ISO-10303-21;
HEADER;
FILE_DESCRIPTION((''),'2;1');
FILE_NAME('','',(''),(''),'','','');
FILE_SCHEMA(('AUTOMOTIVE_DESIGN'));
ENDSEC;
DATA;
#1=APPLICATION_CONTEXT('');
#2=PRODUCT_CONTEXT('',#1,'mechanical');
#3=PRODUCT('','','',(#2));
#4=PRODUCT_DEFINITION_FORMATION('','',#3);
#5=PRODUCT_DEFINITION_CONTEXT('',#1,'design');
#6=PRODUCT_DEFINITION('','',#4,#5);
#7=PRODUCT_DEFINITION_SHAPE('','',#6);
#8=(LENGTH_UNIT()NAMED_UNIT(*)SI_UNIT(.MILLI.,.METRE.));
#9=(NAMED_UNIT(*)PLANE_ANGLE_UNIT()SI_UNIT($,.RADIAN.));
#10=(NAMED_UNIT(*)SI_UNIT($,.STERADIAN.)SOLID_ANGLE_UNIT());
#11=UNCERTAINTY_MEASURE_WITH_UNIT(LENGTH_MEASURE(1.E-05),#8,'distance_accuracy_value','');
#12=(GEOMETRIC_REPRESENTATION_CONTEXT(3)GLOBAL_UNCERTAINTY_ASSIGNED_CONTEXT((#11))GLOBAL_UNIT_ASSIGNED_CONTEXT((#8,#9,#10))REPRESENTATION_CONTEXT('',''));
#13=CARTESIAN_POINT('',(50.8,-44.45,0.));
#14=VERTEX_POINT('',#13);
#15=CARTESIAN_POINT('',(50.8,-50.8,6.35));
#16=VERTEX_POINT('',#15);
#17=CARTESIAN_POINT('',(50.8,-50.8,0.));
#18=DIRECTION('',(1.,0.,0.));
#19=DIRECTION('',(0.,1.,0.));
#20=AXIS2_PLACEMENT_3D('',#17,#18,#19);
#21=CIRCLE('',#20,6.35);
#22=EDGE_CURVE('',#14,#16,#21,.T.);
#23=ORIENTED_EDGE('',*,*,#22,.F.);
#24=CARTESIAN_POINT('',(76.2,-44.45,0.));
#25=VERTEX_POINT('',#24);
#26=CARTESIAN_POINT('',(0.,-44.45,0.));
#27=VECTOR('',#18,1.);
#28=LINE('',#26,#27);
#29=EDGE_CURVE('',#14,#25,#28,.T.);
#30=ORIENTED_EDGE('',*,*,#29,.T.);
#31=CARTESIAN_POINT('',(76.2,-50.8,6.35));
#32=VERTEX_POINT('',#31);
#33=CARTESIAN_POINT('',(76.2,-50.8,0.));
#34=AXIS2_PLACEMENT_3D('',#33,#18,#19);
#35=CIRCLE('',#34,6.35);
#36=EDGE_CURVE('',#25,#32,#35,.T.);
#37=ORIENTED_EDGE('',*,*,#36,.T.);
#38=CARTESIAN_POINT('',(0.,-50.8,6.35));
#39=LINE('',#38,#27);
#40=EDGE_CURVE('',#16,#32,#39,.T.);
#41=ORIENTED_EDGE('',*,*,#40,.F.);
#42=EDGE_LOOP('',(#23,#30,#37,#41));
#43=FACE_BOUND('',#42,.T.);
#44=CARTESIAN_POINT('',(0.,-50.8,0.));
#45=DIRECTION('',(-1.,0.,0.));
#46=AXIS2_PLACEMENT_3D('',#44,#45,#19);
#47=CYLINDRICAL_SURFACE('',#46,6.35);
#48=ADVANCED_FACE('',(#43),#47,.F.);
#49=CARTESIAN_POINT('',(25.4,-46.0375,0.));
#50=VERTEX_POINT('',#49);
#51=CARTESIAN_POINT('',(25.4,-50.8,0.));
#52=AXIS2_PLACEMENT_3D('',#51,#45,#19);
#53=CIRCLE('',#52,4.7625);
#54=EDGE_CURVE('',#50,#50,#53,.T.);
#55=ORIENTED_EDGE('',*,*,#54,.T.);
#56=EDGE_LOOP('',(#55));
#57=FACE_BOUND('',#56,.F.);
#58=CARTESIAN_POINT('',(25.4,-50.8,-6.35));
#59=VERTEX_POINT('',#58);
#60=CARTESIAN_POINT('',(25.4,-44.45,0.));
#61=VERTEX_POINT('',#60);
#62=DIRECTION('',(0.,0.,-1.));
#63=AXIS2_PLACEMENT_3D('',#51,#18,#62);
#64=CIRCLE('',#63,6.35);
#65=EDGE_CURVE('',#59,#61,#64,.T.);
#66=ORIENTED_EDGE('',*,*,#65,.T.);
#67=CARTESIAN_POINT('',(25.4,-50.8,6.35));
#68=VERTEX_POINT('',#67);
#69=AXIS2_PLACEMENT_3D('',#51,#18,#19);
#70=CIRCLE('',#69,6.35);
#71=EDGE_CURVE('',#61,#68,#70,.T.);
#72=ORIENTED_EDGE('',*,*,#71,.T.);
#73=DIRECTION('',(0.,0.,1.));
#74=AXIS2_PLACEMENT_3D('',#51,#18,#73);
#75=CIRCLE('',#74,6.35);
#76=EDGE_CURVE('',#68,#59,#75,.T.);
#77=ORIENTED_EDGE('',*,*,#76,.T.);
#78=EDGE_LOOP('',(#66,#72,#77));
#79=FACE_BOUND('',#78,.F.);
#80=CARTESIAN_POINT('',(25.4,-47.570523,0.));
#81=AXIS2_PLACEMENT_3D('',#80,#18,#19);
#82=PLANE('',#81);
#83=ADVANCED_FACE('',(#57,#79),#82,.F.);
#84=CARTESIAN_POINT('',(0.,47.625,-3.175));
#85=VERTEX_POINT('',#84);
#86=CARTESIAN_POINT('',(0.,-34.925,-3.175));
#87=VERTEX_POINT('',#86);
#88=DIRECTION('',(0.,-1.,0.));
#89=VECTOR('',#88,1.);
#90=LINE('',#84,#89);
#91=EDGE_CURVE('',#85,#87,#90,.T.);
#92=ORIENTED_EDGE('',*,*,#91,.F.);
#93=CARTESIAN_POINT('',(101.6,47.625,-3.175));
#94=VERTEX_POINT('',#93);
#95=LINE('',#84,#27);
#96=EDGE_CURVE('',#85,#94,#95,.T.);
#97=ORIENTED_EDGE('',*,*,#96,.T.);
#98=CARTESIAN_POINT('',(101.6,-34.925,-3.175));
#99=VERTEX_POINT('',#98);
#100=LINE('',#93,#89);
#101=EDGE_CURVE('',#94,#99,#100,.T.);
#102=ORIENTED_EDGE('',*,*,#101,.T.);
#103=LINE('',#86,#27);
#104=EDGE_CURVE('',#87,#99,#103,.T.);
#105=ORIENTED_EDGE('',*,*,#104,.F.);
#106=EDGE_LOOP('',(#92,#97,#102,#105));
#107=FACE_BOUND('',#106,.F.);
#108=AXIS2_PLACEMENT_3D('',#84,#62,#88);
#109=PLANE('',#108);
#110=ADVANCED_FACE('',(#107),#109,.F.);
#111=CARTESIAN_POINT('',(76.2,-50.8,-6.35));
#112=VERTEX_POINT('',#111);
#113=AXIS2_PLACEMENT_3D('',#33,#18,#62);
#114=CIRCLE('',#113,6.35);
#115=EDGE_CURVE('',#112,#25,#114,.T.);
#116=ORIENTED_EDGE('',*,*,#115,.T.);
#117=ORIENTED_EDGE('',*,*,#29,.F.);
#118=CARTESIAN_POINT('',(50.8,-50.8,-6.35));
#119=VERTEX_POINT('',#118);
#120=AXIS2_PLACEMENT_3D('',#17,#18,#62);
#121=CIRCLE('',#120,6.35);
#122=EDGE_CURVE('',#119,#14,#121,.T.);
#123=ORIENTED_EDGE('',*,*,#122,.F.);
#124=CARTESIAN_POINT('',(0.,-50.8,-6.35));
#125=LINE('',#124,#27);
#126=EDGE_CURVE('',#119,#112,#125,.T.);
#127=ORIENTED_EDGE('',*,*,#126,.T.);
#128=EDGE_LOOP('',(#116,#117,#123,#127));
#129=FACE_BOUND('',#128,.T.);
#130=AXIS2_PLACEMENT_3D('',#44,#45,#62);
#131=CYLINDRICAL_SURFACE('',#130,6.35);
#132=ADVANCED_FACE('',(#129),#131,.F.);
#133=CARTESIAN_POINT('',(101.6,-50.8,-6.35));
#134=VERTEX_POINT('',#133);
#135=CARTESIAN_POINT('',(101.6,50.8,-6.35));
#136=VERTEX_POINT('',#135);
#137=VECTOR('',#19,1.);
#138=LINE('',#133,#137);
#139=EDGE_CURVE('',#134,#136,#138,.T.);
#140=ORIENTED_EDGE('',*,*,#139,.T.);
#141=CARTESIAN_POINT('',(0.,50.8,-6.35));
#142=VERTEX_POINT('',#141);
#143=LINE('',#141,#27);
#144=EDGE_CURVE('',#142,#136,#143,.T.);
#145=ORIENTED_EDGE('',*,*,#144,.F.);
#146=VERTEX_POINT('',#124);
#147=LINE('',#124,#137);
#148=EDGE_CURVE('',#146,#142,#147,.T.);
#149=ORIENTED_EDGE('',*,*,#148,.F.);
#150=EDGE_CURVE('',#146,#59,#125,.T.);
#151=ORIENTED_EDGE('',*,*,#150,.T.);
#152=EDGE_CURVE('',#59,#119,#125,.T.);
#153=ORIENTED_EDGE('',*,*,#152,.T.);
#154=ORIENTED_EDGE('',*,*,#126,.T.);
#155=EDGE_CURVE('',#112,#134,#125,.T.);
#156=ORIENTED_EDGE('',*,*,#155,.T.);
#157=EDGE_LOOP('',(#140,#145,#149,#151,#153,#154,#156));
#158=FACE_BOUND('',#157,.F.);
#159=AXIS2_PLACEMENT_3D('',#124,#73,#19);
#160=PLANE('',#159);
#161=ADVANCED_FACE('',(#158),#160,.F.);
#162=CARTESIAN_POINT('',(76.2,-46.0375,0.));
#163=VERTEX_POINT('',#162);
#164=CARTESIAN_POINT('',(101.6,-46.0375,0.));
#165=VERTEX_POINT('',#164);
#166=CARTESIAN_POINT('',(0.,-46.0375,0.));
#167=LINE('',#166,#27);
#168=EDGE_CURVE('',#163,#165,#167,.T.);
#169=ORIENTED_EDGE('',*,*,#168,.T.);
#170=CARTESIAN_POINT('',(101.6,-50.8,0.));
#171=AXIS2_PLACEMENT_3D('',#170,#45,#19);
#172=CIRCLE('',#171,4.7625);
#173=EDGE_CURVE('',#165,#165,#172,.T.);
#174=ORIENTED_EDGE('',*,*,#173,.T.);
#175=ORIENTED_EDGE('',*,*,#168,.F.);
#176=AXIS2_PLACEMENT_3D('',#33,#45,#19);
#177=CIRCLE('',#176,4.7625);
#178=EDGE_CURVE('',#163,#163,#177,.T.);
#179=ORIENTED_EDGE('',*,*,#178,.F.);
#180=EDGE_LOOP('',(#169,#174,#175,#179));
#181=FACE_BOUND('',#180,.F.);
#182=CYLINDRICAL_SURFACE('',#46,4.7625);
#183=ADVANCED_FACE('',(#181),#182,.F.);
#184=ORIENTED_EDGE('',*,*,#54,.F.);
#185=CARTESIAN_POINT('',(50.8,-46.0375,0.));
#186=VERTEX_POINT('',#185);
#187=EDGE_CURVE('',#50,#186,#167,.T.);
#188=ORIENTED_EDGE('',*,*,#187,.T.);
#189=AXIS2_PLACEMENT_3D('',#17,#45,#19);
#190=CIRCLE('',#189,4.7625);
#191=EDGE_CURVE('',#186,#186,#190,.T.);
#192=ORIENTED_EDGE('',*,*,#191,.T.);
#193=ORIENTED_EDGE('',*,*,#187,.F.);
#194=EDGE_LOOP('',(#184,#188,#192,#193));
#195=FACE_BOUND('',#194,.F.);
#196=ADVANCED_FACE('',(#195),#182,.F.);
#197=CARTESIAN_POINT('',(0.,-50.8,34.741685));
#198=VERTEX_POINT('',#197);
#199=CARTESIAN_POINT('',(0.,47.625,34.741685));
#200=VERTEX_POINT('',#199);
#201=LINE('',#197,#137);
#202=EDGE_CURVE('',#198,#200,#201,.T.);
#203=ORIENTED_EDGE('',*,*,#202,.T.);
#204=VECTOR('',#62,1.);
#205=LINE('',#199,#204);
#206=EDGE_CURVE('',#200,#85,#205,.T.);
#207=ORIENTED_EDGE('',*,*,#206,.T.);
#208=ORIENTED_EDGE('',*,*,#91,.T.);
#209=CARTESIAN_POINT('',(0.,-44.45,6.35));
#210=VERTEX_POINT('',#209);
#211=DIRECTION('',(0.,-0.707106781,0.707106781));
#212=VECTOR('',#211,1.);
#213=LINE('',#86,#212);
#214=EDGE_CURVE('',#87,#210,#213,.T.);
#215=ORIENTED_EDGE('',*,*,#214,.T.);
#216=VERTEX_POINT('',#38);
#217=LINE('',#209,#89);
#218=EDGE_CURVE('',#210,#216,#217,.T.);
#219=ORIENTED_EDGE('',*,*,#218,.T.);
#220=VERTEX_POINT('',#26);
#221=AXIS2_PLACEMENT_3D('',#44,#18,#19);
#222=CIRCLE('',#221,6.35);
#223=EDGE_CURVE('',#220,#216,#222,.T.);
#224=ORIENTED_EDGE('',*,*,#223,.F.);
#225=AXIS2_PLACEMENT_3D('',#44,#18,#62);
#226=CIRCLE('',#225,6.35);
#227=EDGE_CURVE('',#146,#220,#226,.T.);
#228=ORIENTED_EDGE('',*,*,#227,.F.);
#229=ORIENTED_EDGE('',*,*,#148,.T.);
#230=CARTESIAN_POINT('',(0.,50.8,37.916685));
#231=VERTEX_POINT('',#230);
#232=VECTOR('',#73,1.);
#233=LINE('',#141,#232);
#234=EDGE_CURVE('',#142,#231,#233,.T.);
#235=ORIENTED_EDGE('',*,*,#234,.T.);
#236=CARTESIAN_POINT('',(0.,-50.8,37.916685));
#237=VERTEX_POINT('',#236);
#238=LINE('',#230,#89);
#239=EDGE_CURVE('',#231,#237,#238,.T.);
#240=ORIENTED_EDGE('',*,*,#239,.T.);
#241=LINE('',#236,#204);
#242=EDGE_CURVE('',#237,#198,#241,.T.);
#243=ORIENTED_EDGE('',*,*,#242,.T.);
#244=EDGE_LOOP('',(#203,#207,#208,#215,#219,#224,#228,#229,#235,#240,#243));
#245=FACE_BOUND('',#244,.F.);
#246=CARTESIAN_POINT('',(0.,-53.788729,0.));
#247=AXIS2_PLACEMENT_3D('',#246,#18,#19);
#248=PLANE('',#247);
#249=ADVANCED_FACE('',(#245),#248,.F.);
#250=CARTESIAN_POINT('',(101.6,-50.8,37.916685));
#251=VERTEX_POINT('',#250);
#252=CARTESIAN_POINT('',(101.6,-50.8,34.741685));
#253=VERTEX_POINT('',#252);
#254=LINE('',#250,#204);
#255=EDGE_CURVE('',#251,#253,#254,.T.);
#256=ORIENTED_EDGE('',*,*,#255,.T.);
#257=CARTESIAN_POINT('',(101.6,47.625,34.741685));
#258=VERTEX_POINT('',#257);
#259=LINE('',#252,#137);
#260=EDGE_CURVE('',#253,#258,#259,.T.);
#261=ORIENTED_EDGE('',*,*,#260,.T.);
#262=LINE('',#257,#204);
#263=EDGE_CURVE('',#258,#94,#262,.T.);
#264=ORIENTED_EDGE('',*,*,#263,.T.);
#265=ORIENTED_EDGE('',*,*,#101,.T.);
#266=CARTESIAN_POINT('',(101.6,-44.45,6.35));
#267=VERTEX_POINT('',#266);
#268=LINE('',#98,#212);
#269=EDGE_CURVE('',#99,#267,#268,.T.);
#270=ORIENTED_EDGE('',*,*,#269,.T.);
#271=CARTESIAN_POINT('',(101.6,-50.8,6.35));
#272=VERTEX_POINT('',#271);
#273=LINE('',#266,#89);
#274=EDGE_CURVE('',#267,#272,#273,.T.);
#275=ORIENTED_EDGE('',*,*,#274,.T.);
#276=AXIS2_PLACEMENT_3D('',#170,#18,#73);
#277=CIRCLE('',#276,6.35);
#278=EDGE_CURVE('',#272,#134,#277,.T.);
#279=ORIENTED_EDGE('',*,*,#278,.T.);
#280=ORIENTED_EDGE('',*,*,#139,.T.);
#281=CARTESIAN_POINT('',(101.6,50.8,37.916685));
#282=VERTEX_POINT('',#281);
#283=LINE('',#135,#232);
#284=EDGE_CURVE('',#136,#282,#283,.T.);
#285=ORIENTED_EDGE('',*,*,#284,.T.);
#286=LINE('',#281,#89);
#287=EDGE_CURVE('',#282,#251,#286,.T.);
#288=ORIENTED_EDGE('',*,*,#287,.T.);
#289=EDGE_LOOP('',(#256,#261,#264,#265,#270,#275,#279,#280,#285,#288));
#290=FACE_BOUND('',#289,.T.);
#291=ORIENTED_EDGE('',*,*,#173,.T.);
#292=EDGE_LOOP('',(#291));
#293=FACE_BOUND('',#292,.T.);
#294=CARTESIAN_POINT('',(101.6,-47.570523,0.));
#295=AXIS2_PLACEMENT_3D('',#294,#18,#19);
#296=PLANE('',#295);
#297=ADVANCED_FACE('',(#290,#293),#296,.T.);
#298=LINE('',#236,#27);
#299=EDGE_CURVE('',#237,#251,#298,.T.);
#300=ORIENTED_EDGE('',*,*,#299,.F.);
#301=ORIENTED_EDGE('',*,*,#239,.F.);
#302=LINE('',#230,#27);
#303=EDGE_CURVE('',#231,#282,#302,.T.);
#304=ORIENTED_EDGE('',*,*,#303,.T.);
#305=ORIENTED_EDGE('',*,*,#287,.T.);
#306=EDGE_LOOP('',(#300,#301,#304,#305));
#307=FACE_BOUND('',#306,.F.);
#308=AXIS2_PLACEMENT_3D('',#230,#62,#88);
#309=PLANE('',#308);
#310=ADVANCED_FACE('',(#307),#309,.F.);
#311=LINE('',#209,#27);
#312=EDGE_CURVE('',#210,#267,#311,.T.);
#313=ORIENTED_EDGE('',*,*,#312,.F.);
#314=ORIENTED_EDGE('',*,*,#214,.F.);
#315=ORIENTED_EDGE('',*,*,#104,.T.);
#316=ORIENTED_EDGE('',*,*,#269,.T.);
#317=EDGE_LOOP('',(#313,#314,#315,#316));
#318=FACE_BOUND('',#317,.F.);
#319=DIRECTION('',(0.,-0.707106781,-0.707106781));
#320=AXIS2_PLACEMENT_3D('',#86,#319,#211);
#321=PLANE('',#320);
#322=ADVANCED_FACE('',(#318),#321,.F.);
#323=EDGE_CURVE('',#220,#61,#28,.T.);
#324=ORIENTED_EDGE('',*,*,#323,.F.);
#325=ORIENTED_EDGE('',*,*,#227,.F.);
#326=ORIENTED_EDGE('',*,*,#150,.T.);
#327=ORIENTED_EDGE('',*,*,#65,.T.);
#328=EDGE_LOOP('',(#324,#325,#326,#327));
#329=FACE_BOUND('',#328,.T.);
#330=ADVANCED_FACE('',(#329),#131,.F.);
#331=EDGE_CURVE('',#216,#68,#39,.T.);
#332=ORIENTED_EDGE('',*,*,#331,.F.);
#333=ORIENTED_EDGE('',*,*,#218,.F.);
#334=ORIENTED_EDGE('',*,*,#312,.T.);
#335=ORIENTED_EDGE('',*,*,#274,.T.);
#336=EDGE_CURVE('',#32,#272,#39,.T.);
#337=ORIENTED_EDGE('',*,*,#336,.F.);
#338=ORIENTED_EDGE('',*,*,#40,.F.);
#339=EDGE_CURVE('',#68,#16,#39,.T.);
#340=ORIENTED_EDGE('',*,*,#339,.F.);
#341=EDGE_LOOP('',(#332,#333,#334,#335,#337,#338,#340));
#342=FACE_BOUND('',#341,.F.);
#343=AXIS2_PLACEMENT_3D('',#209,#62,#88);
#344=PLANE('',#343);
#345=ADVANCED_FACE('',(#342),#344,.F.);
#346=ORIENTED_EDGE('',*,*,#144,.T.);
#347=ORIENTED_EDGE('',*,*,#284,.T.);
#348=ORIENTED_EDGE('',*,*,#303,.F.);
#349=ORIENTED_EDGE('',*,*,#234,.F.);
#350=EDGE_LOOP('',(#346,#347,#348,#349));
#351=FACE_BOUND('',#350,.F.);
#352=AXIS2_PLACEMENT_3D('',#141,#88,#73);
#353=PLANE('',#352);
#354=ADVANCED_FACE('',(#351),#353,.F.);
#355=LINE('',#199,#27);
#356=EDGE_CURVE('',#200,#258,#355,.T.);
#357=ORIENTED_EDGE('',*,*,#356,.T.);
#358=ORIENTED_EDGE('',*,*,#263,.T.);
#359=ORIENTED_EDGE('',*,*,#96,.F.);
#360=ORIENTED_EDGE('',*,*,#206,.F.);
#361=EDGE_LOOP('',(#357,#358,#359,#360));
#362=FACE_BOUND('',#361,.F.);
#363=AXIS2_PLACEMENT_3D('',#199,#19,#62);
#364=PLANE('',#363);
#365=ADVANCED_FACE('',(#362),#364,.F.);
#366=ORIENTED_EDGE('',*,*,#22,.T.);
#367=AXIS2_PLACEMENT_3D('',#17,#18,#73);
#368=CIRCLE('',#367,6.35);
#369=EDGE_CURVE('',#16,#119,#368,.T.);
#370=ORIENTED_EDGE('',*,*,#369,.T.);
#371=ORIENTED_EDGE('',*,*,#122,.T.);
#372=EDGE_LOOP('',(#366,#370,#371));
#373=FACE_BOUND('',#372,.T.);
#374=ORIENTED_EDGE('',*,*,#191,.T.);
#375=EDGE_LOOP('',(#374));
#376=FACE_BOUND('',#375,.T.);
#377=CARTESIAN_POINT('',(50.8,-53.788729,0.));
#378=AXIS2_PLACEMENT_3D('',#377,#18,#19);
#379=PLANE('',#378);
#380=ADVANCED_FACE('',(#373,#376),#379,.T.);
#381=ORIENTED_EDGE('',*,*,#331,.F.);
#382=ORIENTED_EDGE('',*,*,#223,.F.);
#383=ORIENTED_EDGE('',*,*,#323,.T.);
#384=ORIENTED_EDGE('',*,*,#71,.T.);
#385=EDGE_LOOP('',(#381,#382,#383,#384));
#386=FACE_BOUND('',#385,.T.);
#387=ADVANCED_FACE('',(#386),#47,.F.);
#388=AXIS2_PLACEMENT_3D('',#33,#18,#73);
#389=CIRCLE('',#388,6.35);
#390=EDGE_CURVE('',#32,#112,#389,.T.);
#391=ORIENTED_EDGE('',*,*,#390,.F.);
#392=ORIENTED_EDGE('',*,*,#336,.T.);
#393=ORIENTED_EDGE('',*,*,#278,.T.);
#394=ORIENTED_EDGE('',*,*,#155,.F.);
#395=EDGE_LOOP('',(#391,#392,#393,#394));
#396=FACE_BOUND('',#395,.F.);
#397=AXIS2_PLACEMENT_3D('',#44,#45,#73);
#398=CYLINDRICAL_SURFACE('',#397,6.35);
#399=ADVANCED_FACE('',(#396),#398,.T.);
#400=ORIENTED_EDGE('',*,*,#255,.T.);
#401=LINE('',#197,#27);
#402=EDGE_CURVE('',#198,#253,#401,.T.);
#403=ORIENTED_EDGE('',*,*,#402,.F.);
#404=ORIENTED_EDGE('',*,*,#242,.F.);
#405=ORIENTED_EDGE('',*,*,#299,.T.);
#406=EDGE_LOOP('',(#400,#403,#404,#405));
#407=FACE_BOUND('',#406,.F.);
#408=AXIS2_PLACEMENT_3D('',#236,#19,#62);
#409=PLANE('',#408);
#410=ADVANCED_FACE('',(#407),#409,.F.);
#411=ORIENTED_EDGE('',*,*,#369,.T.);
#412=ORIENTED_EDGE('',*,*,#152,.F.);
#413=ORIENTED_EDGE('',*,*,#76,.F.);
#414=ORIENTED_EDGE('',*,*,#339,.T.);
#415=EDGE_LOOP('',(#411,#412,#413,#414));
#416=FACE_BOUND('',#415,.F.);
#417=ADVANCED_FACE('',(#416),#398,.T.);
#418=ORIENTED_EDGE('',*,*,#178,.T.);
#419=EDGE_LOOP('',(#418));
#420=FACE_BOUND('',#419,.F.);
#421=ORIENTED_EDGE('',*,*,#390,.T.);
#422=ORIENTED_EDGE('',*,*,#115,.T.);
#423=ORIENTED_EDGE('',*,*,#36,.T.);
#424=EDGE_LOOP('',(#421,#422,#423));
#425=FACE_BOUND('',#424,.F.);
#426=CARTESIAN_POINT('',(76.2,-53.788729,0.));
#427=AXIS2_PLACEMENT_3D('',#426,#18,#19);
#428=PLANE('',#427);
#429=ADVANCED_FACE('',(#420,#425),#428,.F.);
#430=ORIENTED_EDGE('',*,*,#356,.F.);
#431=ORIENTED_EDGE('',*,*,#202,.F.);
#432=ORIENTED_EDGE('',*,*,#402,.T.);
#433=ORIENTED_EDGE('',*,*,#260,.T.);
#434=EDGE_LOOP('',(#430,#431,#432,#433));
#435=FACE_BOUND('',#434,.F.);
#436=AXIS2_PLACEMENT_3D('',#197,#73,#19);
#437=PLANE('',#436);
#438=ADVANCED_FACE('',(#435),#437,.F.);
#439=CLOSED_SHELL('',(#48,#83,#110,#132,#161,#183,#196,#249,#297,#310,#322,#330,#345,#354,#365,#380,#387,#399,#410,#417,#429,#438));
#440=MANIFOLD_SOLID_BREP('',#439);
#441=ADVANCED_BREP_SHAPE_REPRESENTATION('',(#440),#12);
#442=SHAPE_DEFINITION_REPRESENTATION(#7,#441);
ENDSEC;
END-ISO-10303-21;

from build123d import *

# Parameters (mm, degrees)
F1_DEPTH = 101.6
F2_DEPTH = 101.6
F3_DEPTH = 76.2
F4_DEPTH = 50.8
F5_DEPTH = 25.4


with BuildPart() as f1:
    # F0 (on Right) → F1 (new body)
    with BuildSketch(Plane.YZ):
        Polygon((-34.925, -3.175), (-44.45, 6.35), (-44.45, 0), (-44.45, -6.35), (50.8, -6.35), (50.8, 6.35), (50.8, 34.7416847944), (50.8, 37.9166847944), (47.625, 37.9166847944), (-50.8, 37.9166847944), (-50.8, 34.7416847944), (47.625, 34.7416847944), (47.625, 6.35), (47.625, -3.175), align=None)
        with BuildLine():
            Line((-44.45, -6.35), (-44.45, 0))
            ThreePointArc((-44.45, 0), (-46.3098719395, -4.4901280605), (-50.8, -6.35))
            Line((-50.8, -6.35), (-44.45, -6.35))
        make_face()
        with BuildLine():
            Line((-44.45, 0), (-44.45, 6.35))
            Line((-44.45, 6.35), (-50.8, 6.35))
            ThreePointArc((-50.8, 6.35), (-46.3098719395, 4.4901280605), (-44.45, 0))
        make_face()
    extrude(amount=F1_DEPTH)

    # F0 (on Right) → F2 (join)
    with BuildSketch(Plane.YZ):
        with BuildLine():
            ThreePointArc((-44.45, 0), (-46.3098719395, 4.4901280605), (-50.8, 6.35))
            Line((-50.8, 6.35), (-50.8, 4.7625))
            ThreePointArc((-50.8, 4.7625), (-47.4324039546, 3.3675960454), (-46.0375, 0))
            ThreePointArc((-46.0375, 0), (-47.4324039546, -3.3675960454), (-50.8, -4.7625))
            Line((-50.8, -4.7625), (-50.8, -6.35))
            ThreePointArc((-50.8, -6.35), (-46.3098719395, -4.4901280605), (-44.45, 0))
        make_face()
        with BuildLine():
            Line((-50.8, 4.7625), (-50.8, 6.35))
            ThreePointArc((-50.8, 6.35), (-57.15, 0), (-50.8, -6.35))
            Line((-50.8, -6.35), (-50.8, -4.7625))
            ThreePointArc((-50.8, -4.7625), (-55.5625, 0), (-50.8, 4.7625))
        make_face()
    extrude(amount=F2_DEPTH)

    # F0 (on Right) → F3 (cut)
    with BuildSketch(Plane.YZ):
        with BuildLine():
            Line((-50.8, 4.7625), (-50.8, 6.35))
            ThreePointArc((-50.8, 6.35), (-57.15, 0), (-50.8, -6.35))
            Line((-50.8, -6.35), (-50.8, -4.7625))
            ThreePointArc((-50.8, -4.7625), (-55.5625, 0), (-50.8, 4.7625))
        make_face()
        with BuildLine():
            ThreePointArc((-44.45, 0), (-46.3098719395, 4.4901280605), (-50.8, 6.35))
            Line((-50.8, 6.35), (-50.8, 4.7625))
            ThreePointArc((-50.8, 4.7625), (-47.4324039546, 3.3675960454), (-46.0375, 0))
            ThreePointArc((-46.0375, 0), (-47.4324039546, -3.3675960454), (-50.8, -4.7625))
            Line((-50.8, -4.7625), (-50.8, -6.35))
            ThreePointArc((-50.8, -6.35), (-46.3098719395, -4.4901280605), (-44.45, 0))
        make_face()
    extrude(amount=F3_DEPTH, mode=Mode.SUBTRACT)

    # F0 (on Right) → F4 (join)
    with BuildSketch(Plane.YZ):
        with BuildLine():
            Line((-50.8, 4.7625), (-50.8, 6.35))
            ThreePointArc((-50.8, 6.35), (-57.15, 0), (-50.8, -6.35))
            Line((-50.8, -6.35), (-50.8, -4.7625))
            ThreePointArc((-50.8, -4.7625), (-55.5625, 0), (-50.8, 4.7625))
        make_face()
        with BuildLine():
            ThreePointArc((-44.45, 0), (-46.3098719395, 4.4901280605), (-50.8, 6.35))
            Line((-50.8, 6.35), (-50.8, 4.7625))
            ThreePointArc((-50.8, 4.7625), (-47.4324039546, 3.3675960454), (-46.0375, 0))
            ThreePointArc((-46.0375, 0), (-47.4324039546, -3.3675960454), (-50.8, -4.7625))
            Line((-50.8, -4.7625), (-50.8, -6.35))
            ThreePointArc((-50.8, -6.35), (-46.3098719395, -4.4901280605), (-44.45, 0))
        make_face()
    extrude(amount=F4_DEPTH)

    # F0 (on Right) → F5 (cut)
    with BuildSketch(Plane.YZ):
        with BuildLine():
            ThreePointArc((-44.45, 0), (-46.3098719395, 4.4901280605), (-50.8, 6.35))
            Line((-50.8, 6.35), (-50.8, 4.7625))
            ThreePointArc((-50.8, 4.7625), (-47.4324039546, 3.3675960454), (-46.0375, 0))
            ThreePointArc((-46.0375, 0), (-47.4324039546, -3.3675960454), (-50.8, -4.7625))
            Line((-50.8, -4.7625), (-50.8, -6.35))
            ThreePointArc((-50.8, -6.35), (-46.3098719395, -4.4901280605), (-44.45, 0))
        make_face()
        with BuildLine():
            Line((-50.8, 4.7625), (-50.8, 6.35))
            ThreePointArc((-50.8, 6.35), (-57.15, 0), (-50.8, -6.35))
            Line((-50.8, -6.35), (-50.8, -4.7625))
            ThreePointArc((-50.8, -4.7625), (-55.5625, 0), (-50.8, 4.7625))
        make_face()
    extrude(amount=F5_DEPTH, mode=Mode.SUBTRACT)


solid = f1.part
